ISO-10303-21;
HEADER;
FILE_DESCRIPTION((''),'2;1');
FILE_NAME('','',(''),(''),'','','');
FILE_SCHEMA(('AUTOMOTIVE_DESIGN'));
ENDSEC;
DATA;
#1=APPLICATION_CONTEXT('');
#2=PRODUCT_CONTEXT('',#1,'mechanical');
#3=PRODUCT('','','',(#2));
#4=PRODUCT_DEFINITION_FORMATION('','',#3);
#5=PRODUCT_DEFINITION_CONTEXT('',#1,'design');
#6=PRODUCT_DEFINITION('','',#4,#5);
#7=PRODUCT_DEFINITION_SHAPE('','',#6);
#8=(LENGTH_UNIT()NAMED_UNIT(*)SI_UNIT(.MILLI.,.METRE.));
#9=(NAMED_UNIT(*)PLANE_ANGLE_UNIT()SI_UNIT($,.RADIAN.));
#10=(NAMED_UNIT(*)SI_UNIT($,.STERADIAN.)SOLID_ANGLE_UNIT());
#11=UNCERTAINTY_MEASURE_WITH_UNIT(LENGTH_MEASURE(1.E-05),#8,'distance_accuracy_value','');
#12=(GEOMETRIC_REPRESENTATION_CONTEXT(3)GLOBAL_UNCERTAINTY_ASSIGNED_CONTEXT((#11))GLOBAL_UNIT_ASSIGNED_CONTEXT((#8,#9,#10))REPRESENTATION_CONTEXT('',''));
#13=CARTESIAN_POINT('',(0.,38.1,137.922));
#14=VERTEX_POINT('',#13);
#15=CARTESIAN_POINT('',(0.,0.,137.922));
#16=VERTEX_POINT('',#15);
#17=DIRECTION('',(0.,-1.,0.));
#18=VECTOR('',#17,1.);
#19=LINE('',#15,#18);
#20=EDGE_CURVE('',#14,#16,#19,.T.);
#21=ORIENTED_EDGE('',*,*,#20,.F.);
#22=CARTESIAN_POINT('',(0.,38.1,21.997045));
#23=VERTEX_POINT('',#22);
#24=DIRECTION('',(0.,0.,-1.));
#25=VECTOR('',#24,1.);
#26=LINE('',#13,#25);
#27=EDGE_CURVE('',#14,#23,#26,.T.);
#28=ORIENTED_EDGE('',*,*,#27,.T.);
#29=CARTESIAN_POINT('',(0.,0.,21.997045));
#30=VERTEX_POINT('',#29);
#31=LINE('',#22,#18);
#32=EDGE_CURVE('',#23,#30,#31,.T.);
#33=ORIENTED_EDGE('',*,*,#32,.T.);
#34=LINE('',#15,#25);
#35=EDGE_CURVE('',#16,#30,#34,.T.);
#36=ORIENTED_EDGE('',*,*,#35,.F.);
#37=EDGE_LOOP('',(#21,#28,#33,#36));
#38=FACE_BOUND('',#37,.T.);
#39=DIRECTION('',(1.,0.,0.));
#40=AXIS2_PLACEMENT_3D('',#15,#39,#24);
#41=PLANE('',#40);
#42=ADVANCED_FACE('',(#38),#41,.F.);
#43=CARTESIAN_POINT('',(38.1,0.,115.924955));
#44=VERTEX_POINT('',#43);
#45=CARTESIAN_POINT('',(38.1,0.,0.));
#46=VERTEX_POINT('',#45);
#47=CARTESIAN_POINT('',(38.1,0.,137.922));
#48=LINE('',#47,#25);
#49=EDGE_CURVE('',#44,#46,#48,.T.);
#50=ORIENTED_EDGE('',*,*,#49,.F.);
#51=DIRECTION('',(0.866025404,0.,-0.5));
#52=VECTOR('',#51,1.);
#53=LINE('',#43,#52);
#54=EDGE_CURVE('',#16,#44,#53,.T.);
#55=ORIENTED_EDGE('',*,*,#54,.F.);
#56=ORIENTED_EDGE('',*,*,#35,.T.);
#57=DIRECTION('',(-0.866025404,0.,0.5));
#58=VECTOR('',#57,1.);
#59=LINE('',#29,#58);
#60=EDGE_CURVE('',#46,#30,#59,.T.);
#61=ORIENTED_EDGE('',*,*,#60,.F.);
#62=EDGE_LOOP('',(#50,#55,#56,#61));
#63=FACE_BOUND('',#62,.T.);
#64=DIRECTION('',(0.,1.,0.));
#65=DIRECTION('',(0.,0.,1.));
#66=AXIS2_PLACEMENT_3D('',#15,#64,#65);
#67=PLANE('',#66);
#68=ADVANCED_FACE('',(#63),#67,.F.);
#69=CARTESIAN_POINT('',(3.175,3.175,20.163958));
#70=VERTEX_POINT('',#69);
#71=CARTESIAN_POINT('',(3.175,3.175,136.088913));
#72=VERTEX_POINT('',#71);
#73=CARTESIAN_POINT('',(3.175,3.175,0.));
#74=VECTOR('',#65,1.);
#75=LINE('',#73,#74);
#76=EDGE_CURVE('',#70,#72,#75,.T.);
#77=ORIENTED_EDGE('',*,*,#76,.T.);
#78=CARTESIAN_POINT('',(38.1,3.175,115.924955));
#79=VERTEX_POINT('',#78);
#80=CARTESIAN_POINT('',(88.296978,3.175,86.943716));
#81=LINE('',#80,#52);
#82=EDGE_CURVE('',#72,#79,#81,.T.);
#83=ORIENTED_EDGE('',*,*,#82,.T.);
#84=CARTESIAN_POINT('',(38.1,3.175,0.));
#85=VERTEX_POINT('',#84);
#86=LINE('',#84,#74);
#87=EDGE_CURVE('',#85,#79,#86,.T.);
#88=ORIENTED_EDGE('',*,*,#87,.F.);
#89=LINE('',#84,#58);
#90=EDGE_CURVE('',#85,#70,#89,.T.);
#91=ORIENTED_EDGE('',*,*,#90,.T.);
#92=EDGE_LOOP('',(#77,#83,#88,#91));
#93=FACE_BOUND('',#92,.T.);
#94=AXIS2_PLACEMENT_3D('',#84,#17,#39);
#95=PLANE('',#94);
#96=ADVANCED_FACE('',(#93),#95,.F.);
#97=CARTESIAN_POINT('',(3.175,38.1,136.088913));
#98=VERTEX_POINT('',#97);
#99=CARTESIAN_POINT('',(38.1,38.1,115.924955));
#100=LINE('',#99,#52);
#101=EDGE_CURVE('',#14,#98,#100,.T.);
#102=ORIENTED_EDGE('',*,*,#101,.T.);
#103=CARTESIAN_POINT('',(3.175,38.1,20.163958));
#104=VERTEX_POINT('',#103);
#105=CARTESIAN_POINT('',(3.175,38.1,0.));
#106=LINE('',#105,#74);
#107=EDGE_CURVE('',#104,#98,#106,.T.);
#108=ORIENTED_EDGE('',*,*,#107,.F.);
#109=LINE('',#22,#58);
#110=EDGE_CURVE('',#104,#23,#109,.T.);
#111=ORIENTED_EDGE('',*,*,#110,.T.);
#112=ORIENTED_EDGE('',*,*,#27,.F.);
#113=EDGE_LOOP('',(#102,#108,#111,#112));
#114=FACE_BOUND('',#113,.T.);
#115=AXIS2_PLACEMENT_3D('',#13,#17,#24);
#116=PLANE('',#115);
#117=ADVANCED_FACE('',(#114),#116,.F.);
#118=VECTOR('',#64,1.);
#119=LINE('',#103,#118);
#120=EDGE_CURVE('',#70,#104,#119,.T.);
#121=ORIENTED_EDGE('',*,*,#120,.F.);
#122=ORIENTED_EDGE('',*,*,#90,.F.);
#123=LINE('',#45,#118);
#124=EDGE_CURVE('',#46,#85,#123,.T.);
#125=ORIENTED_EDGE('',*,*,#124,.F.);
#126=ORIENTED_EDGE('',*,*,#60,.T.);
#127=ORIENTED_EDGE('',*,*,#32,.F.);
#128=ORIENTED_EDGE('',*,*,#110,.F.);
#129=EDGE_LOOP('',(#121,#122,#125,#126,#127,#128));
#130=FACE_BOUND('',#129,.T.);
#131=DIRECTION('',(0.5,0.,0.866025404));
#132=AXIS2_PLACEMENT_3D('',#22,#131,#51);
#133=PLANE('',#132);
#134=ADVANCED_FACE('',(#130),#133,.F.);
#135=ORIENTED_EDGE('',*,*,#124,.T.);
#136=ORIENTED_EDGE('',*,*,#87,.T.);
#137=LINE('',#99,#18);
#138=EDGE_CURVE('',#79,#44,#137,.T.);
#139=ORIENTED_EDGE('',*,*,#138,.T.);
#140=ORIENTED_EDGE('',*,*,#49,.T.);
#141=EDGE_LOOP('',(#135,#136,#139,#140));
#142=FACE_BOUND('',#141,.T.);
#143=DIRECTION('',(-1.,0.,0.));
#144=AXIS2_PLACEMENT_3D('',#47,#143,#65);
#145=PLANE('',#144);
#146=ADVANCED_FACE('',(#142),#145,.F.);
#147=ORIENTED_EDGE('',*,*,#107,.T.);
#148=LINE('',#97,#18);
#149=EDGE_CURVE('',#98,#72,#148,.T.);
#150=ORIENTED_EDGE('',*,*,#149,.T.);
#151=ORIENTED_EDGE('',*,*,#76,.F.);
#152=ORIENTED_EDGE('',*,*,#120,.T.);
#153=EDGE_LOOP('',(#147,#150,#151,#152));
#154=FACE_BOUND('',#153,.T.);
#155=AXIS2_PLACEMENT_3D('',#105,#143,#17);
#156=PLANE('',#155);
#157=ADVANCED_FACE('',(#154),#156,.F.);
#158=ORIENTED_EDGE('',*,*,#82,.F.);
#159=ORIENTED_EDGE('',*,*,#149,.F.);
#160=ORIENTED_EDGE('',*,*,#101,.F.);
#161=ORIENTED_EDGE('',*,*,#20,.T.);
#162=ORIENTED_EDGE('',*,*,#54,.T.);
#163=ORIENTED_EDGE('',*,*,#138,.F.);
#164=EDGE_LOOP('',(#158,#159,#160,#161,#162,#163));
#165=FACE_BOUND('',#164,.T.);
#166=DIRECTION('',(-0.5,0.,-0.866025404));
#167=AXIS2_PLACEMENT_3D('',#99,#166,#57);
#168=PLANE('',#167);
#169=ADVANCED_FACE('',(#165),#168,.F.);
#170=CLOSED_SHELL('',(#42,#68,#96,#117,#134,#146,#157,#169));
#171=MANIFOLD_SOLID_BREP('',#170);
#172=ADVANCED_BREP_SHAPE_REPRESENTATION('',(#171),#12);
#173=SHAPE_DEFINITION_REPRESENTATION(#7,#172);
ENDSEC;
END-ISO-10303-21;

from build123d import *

# Parameters (mm, degrees)
SKETCH1_W           = 38.1
SKETCH1_H           = 38.1
BOSS_EXTRUDE1_DEPTH = 137.922
SKETCH2_W           = 34.925
SKETCH2_H           = 34.925
CUT_EXTRUDE1_DEPTH  = 138.922
CUT_EXTRUDE2_DEPTH  = 39.1


with BuildPart() as part:
    # Sketch1 → Boss-Extrude1 (new body)
    with BuildSketch(Plane.XY):
        with Locations((19.05, 19.05)):
            Rectangle(SKETCH1_W, SKETCH1_H)
    extrude(amount=BOSS_EXTRUDE1_DEPTH)

    # Sketch2 → Cut-Extrude1 (cut, through all)
    with BuildSketch(Plane.XY.offset(137.922)):
        with Locations((20.6375, 20.6375)):
            Rectangle(SKETCH2_W, SKETCH2_H)
    extrude(amount=-CUT_EXTRUDE1_DEPTH, mode=Mode.SUBTRACT)

    # Sketch3 → Cut-Extrude2 (cut, through all)
    with BuildSketch(Plane.XZ):
        Polygon((0, 137.922), (38.1, 137.922), (38.1, 115.924954744), align=None)
        Polygon((38.1, 0), (0, 0), (0, 21.997045256), align=None)
    extrude(amount=-CUT_EXTRUDE2_DEPTH, mode=Mode.SUBTRACT)


solid = part.part
